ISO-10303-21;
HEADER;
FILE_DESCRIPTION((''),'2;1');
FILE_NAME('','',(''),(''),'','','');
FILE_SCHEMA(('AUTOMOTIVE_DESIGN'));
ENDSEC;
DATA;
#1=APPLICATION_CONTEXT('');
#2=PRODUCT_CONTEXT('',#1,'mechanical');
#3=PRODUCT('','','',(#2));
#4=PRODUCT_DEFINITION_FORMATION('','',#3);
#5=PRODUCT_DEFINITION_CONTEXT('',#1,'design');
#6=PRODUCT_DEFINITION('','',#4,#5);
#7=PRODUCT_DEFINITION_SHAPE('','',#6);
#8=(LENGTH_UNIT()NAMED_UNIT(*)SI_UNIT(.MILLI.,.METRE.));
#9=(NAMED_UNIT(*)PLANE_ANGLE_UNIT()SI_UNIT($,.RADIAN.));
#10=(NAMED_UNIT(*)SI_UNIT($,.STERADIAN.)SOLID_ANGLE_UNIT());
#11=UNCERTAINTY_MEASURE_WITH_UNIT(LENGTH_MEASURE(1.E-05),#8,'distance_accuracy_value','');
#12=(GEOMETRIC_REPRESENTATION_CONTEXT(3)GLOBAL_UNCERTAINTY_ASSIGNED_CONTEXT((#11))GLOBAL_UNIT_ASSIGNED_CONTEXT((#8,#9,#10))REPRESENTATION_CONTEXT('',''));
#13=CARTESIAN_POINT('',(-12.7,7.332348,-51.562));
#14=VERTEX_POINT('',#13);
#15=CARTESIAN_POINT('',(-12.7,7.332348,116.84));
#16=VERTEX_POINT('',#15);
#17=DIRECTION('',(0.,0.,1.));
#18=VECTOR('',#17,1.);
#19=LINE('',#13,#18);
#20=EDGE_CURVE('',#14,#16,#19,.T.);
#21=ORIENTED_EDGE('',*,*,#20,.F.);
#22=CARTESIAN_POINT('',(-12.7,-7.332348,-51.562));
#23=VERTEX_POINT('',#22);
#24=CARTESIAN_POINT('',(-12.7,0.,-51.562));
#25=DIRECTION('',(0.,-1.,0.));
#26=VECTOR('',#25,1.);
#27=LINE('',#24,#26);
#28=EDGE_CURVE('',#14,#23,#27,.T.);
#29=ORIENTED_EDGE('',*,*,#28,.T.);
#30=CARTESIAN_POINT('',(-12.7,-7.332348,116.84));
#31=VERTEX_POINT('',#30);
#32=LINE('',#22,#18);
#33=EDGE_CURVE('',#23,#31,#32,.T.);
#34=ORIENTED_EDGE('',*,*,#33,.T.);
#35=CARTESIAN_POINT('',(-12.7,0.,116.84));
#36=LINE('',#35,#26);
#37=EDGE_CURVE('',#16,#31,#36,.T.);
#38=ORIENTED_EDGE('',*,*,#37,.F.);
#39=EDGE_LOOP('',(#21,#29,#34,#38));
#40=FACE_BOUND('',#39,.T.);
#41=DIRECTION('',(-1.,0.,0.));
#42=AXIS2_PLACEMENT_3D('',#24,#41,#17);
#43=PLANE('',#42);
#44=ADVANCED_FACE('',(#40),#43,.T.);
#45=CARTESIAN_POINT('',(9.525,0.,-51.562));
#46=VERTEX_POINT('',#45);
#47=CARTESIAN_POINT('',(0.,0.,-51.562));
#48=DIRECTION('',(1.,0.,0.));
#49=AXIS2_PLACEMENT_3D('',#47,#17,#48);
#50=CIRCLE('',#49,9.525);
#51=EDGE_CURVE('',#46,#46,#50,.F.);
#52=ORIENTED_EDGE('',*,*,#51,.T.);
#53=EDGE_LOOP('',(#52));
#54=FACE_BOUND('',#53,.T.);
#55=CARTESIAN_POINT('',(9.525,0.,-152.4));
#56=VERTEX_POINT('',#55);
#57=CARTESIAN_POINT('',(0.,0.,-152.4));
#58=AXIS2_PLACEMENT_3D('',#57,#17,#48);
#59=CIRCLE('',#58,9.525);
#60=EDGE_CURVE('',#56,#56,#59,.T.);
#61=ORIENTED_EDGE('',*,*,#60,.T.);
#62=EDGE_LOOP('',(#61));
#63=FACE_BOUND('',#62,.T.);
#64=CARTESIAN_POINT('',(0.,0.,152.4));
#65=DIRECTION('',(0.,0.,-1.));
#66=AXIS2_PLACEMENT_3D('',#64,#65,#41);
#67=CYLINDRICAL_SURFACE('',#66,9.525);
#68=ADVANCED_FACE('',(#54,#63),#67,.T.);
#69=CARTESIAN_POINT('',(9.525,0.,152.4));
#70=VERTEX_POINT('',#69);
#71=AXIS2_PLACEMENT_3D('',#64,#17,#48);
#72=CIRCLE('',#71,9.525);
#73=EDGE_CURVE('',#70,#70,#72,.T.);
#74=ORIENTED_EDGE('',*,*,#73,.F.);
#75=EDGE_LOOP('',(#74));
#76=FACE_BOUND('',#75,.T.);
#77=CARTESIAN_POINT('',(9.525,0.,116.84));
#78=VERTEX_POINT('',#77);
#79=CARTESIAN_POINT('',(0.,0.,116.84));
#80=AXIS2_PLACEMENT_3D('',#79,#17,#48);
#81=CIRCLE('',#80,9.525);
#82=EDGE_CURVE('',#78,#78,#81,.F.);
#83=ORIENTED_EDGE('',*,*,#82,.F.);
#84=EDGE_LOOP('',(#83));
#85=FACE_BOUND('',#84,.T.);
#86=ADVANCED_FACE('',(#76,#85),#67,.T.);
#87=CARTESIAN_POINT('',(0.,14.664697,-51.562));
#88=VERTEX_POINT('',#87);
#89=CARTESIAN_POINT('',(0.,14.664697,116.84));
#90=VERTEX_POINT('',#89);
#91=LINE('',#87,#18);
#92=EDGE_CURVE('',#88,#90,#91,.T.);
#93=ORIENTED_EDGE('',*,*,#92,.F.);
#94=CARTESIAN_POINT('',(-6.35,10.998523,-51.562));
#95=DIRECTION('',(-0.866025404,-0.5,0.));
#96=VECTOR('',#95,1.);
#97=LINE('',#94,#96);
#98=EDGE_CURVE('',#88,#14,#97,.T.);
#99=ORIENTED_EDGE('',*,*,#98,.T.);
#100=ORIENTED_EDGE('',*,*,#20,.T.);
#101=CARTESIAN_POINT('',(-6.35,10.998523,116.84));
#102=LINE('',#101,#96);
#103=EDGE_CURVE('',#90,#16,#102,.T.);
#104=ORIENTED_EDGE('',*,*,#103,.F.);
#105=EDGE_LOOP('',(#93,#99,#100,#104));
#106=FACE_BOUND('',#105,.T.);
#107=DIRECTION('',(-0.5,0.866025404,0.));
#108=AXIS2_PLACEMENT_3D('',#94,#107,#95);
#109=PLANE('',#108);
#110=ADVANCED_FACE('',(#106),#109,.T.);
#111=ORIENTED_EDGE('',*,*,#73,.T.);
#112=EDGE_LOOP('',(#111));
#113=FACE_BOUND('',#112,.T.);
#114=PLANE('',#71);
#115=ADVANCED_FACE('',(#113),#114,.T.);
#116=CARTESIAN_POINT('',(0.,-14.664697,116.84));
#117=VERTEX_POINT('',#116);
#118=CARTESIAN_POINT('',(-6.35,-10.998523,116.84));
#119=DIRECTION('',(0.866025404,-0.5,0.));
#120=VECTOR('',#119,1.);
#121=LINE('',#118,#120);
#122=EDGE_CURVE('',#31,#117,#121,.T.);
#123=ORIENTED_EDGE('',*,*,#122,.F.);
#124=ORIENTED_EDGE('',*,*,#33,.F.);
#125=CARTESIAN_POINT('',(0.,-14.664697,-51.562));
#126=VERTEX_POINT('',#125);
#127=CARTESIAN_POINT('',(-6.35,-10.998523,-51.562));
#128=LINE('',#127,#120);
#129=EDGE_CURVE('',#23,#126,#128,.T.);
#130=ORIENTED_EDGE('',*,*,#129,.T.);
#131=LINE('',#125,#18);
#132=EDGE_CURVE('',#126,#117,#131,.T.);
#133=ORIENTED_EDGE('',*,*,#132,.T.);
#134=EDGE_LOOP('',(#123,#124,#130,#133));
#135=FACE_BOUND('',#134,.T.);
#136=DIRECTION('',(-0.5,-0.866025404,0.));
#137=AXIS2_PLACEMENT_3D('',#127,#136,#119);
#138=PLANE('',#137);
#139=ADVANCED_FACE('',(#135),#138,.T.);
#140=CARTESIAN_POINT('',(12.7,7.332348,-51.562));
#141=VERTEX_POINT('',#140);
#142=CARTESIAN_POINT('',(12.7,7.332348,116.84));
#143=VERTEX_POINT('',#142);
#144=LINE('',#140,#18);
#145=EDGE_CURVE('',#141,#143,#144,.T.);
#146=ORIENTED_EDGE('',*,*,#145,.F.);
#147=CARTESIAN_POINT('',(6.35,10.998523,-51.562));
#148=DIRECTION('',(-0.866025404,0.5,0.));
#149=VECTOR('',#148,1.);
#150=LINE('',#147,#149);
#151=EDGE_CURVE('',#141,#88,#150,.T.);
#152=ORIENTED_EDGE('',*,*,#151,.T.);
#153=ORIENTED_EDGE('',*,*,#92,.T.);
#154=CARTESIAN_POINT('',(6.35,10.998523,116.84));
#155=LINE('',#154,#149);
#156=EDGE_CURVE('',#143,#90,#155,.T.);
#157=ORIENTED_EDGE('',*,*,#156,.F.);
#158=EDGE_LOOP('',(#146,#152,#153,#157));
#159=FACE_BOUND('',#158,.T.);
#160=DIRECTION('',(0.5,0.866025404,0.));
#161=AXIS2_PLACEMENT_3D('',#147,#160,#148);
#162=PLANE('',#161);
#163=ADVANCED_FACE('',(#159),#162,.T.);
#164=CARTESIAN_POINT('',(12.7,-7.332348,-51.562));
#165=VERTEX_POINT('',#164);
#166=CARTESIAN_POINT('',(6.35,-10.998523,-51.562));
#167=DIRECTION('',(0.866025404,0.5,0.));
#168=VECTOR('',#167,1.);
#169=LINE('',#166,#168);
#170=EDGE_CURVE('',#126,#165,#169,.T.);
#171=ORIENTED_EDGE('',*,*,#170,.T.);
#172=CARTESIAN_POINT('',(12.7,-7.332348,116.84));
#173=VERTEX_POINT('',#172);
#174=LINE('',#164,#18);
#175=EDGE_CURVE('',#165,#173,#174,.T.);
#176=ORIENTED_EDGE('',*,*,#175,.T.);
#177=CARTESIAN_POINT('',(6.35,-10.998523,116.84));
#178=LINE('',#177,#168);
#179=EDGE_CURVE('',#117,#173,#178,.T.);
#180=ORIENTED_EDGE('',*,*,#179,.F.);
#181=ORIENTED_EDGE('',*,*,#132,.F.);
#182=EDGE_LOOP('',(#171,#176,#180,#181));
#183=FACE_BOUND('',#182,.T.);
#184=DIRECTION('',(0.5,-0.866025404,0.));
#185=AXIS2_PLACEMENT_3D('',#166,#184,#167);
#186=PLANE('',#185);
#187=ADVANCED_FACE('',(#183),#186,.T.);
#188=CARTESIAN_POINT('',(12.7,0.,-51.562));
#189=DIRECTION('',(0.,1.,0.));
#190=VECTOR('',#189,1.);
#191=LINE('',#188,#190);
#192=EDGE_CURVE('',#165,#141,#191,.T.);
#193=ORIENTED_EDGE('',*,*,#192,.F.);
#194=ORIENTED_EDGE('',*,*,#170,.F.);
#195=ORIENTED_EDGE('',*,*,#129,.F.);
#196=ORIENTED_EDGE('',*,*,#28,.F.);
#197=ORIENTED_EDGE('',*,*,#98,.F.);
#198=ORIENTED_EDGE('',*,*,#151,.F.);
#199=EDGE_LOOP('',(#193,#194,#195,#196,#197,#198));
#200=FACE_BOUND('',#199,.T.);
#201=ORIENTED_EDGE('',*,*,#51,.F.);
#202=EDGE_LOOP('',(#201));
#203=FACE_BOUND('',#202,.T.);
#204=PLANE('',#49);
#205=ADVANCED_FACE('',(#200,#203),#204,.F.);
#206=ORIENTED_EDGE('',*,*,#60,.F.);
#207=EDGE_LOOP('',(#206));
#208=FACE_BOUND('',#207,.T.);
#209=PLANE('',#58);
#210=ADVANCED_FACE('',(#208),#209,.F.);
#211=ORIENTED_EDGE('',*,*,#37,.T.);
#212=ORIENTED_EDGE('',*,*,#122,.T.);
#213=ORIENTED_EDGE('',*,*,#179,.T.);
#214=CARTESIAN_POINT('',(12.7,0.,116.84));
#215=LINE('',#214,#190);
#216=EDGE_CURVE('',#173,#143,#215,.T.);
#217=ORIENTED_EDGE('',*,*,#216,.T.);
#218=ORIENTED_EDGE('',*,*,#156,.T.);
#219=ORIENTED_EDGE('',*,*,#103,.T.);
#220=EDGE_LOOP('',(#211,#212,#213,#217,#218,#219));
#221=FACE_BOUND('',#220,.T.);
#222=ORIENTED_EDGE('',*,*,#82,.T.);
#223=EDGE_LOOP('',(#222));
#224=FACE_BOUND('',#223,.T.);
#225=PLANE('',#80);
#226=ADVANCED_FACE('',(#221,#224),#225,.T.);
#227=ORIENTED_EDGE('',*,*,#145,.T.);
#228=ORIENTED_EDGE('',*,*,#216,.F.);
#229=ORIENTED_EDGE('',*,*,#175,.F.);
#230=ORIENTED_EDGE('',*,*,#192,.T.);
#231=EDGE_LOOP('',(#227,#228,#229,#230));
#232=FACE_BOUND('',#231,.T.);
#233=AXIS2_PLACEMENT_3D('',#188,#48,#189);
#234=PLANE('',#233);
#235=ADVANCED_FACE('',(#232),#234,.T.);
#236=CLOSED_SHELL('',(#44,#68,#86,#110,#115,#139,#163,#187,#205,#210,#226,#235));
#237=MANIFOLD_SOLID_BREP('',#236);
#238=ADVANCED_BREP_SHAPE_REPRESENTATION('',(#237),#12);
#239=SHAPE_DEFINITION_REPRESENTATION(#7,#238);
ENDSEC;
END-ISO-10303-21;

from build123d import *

# Parameters (mm, degrees)
BOSS_EXTRUDE1_DEPTH      = 116.84
BOSS_EXTRUDE1_DEPTH_BACK = 51.562
SKETCH1_3_R              = 9.525
BOSS_EXTRUDE2_DEPTH      = 152.4


with BuildPart() as part:
    # Sketch1 → Boss-Extrude1 (new, two sides: drawn at the far end of the back side and taken through both)
    with BuildSketch(Plane.XY.offset(-BOSS_EXTRUDE1_DEPTH_BACK)):
        Polygon((-12.7, -7.332348419), (0, -14.664696837), (12.7, -7.332348419), (12.7, 7.332348419), (0, 14.664696837), (-12.7, 7.332348419), align=None)
    extrude(amount=BOSS_EXTRUDE1_DEPTH + BOSS_EXTRUDE1_DEPTH_BACK)

    # Sketch1<3> → Boss-Extrude2 (add, symmetric)
    with BuildSketch(Plane.XY):
        Circle(SKETCH1_3_R)
    extrude(amount=BOSS_EXTRUDE2_DEPTH, both=True)


solid = part.part
